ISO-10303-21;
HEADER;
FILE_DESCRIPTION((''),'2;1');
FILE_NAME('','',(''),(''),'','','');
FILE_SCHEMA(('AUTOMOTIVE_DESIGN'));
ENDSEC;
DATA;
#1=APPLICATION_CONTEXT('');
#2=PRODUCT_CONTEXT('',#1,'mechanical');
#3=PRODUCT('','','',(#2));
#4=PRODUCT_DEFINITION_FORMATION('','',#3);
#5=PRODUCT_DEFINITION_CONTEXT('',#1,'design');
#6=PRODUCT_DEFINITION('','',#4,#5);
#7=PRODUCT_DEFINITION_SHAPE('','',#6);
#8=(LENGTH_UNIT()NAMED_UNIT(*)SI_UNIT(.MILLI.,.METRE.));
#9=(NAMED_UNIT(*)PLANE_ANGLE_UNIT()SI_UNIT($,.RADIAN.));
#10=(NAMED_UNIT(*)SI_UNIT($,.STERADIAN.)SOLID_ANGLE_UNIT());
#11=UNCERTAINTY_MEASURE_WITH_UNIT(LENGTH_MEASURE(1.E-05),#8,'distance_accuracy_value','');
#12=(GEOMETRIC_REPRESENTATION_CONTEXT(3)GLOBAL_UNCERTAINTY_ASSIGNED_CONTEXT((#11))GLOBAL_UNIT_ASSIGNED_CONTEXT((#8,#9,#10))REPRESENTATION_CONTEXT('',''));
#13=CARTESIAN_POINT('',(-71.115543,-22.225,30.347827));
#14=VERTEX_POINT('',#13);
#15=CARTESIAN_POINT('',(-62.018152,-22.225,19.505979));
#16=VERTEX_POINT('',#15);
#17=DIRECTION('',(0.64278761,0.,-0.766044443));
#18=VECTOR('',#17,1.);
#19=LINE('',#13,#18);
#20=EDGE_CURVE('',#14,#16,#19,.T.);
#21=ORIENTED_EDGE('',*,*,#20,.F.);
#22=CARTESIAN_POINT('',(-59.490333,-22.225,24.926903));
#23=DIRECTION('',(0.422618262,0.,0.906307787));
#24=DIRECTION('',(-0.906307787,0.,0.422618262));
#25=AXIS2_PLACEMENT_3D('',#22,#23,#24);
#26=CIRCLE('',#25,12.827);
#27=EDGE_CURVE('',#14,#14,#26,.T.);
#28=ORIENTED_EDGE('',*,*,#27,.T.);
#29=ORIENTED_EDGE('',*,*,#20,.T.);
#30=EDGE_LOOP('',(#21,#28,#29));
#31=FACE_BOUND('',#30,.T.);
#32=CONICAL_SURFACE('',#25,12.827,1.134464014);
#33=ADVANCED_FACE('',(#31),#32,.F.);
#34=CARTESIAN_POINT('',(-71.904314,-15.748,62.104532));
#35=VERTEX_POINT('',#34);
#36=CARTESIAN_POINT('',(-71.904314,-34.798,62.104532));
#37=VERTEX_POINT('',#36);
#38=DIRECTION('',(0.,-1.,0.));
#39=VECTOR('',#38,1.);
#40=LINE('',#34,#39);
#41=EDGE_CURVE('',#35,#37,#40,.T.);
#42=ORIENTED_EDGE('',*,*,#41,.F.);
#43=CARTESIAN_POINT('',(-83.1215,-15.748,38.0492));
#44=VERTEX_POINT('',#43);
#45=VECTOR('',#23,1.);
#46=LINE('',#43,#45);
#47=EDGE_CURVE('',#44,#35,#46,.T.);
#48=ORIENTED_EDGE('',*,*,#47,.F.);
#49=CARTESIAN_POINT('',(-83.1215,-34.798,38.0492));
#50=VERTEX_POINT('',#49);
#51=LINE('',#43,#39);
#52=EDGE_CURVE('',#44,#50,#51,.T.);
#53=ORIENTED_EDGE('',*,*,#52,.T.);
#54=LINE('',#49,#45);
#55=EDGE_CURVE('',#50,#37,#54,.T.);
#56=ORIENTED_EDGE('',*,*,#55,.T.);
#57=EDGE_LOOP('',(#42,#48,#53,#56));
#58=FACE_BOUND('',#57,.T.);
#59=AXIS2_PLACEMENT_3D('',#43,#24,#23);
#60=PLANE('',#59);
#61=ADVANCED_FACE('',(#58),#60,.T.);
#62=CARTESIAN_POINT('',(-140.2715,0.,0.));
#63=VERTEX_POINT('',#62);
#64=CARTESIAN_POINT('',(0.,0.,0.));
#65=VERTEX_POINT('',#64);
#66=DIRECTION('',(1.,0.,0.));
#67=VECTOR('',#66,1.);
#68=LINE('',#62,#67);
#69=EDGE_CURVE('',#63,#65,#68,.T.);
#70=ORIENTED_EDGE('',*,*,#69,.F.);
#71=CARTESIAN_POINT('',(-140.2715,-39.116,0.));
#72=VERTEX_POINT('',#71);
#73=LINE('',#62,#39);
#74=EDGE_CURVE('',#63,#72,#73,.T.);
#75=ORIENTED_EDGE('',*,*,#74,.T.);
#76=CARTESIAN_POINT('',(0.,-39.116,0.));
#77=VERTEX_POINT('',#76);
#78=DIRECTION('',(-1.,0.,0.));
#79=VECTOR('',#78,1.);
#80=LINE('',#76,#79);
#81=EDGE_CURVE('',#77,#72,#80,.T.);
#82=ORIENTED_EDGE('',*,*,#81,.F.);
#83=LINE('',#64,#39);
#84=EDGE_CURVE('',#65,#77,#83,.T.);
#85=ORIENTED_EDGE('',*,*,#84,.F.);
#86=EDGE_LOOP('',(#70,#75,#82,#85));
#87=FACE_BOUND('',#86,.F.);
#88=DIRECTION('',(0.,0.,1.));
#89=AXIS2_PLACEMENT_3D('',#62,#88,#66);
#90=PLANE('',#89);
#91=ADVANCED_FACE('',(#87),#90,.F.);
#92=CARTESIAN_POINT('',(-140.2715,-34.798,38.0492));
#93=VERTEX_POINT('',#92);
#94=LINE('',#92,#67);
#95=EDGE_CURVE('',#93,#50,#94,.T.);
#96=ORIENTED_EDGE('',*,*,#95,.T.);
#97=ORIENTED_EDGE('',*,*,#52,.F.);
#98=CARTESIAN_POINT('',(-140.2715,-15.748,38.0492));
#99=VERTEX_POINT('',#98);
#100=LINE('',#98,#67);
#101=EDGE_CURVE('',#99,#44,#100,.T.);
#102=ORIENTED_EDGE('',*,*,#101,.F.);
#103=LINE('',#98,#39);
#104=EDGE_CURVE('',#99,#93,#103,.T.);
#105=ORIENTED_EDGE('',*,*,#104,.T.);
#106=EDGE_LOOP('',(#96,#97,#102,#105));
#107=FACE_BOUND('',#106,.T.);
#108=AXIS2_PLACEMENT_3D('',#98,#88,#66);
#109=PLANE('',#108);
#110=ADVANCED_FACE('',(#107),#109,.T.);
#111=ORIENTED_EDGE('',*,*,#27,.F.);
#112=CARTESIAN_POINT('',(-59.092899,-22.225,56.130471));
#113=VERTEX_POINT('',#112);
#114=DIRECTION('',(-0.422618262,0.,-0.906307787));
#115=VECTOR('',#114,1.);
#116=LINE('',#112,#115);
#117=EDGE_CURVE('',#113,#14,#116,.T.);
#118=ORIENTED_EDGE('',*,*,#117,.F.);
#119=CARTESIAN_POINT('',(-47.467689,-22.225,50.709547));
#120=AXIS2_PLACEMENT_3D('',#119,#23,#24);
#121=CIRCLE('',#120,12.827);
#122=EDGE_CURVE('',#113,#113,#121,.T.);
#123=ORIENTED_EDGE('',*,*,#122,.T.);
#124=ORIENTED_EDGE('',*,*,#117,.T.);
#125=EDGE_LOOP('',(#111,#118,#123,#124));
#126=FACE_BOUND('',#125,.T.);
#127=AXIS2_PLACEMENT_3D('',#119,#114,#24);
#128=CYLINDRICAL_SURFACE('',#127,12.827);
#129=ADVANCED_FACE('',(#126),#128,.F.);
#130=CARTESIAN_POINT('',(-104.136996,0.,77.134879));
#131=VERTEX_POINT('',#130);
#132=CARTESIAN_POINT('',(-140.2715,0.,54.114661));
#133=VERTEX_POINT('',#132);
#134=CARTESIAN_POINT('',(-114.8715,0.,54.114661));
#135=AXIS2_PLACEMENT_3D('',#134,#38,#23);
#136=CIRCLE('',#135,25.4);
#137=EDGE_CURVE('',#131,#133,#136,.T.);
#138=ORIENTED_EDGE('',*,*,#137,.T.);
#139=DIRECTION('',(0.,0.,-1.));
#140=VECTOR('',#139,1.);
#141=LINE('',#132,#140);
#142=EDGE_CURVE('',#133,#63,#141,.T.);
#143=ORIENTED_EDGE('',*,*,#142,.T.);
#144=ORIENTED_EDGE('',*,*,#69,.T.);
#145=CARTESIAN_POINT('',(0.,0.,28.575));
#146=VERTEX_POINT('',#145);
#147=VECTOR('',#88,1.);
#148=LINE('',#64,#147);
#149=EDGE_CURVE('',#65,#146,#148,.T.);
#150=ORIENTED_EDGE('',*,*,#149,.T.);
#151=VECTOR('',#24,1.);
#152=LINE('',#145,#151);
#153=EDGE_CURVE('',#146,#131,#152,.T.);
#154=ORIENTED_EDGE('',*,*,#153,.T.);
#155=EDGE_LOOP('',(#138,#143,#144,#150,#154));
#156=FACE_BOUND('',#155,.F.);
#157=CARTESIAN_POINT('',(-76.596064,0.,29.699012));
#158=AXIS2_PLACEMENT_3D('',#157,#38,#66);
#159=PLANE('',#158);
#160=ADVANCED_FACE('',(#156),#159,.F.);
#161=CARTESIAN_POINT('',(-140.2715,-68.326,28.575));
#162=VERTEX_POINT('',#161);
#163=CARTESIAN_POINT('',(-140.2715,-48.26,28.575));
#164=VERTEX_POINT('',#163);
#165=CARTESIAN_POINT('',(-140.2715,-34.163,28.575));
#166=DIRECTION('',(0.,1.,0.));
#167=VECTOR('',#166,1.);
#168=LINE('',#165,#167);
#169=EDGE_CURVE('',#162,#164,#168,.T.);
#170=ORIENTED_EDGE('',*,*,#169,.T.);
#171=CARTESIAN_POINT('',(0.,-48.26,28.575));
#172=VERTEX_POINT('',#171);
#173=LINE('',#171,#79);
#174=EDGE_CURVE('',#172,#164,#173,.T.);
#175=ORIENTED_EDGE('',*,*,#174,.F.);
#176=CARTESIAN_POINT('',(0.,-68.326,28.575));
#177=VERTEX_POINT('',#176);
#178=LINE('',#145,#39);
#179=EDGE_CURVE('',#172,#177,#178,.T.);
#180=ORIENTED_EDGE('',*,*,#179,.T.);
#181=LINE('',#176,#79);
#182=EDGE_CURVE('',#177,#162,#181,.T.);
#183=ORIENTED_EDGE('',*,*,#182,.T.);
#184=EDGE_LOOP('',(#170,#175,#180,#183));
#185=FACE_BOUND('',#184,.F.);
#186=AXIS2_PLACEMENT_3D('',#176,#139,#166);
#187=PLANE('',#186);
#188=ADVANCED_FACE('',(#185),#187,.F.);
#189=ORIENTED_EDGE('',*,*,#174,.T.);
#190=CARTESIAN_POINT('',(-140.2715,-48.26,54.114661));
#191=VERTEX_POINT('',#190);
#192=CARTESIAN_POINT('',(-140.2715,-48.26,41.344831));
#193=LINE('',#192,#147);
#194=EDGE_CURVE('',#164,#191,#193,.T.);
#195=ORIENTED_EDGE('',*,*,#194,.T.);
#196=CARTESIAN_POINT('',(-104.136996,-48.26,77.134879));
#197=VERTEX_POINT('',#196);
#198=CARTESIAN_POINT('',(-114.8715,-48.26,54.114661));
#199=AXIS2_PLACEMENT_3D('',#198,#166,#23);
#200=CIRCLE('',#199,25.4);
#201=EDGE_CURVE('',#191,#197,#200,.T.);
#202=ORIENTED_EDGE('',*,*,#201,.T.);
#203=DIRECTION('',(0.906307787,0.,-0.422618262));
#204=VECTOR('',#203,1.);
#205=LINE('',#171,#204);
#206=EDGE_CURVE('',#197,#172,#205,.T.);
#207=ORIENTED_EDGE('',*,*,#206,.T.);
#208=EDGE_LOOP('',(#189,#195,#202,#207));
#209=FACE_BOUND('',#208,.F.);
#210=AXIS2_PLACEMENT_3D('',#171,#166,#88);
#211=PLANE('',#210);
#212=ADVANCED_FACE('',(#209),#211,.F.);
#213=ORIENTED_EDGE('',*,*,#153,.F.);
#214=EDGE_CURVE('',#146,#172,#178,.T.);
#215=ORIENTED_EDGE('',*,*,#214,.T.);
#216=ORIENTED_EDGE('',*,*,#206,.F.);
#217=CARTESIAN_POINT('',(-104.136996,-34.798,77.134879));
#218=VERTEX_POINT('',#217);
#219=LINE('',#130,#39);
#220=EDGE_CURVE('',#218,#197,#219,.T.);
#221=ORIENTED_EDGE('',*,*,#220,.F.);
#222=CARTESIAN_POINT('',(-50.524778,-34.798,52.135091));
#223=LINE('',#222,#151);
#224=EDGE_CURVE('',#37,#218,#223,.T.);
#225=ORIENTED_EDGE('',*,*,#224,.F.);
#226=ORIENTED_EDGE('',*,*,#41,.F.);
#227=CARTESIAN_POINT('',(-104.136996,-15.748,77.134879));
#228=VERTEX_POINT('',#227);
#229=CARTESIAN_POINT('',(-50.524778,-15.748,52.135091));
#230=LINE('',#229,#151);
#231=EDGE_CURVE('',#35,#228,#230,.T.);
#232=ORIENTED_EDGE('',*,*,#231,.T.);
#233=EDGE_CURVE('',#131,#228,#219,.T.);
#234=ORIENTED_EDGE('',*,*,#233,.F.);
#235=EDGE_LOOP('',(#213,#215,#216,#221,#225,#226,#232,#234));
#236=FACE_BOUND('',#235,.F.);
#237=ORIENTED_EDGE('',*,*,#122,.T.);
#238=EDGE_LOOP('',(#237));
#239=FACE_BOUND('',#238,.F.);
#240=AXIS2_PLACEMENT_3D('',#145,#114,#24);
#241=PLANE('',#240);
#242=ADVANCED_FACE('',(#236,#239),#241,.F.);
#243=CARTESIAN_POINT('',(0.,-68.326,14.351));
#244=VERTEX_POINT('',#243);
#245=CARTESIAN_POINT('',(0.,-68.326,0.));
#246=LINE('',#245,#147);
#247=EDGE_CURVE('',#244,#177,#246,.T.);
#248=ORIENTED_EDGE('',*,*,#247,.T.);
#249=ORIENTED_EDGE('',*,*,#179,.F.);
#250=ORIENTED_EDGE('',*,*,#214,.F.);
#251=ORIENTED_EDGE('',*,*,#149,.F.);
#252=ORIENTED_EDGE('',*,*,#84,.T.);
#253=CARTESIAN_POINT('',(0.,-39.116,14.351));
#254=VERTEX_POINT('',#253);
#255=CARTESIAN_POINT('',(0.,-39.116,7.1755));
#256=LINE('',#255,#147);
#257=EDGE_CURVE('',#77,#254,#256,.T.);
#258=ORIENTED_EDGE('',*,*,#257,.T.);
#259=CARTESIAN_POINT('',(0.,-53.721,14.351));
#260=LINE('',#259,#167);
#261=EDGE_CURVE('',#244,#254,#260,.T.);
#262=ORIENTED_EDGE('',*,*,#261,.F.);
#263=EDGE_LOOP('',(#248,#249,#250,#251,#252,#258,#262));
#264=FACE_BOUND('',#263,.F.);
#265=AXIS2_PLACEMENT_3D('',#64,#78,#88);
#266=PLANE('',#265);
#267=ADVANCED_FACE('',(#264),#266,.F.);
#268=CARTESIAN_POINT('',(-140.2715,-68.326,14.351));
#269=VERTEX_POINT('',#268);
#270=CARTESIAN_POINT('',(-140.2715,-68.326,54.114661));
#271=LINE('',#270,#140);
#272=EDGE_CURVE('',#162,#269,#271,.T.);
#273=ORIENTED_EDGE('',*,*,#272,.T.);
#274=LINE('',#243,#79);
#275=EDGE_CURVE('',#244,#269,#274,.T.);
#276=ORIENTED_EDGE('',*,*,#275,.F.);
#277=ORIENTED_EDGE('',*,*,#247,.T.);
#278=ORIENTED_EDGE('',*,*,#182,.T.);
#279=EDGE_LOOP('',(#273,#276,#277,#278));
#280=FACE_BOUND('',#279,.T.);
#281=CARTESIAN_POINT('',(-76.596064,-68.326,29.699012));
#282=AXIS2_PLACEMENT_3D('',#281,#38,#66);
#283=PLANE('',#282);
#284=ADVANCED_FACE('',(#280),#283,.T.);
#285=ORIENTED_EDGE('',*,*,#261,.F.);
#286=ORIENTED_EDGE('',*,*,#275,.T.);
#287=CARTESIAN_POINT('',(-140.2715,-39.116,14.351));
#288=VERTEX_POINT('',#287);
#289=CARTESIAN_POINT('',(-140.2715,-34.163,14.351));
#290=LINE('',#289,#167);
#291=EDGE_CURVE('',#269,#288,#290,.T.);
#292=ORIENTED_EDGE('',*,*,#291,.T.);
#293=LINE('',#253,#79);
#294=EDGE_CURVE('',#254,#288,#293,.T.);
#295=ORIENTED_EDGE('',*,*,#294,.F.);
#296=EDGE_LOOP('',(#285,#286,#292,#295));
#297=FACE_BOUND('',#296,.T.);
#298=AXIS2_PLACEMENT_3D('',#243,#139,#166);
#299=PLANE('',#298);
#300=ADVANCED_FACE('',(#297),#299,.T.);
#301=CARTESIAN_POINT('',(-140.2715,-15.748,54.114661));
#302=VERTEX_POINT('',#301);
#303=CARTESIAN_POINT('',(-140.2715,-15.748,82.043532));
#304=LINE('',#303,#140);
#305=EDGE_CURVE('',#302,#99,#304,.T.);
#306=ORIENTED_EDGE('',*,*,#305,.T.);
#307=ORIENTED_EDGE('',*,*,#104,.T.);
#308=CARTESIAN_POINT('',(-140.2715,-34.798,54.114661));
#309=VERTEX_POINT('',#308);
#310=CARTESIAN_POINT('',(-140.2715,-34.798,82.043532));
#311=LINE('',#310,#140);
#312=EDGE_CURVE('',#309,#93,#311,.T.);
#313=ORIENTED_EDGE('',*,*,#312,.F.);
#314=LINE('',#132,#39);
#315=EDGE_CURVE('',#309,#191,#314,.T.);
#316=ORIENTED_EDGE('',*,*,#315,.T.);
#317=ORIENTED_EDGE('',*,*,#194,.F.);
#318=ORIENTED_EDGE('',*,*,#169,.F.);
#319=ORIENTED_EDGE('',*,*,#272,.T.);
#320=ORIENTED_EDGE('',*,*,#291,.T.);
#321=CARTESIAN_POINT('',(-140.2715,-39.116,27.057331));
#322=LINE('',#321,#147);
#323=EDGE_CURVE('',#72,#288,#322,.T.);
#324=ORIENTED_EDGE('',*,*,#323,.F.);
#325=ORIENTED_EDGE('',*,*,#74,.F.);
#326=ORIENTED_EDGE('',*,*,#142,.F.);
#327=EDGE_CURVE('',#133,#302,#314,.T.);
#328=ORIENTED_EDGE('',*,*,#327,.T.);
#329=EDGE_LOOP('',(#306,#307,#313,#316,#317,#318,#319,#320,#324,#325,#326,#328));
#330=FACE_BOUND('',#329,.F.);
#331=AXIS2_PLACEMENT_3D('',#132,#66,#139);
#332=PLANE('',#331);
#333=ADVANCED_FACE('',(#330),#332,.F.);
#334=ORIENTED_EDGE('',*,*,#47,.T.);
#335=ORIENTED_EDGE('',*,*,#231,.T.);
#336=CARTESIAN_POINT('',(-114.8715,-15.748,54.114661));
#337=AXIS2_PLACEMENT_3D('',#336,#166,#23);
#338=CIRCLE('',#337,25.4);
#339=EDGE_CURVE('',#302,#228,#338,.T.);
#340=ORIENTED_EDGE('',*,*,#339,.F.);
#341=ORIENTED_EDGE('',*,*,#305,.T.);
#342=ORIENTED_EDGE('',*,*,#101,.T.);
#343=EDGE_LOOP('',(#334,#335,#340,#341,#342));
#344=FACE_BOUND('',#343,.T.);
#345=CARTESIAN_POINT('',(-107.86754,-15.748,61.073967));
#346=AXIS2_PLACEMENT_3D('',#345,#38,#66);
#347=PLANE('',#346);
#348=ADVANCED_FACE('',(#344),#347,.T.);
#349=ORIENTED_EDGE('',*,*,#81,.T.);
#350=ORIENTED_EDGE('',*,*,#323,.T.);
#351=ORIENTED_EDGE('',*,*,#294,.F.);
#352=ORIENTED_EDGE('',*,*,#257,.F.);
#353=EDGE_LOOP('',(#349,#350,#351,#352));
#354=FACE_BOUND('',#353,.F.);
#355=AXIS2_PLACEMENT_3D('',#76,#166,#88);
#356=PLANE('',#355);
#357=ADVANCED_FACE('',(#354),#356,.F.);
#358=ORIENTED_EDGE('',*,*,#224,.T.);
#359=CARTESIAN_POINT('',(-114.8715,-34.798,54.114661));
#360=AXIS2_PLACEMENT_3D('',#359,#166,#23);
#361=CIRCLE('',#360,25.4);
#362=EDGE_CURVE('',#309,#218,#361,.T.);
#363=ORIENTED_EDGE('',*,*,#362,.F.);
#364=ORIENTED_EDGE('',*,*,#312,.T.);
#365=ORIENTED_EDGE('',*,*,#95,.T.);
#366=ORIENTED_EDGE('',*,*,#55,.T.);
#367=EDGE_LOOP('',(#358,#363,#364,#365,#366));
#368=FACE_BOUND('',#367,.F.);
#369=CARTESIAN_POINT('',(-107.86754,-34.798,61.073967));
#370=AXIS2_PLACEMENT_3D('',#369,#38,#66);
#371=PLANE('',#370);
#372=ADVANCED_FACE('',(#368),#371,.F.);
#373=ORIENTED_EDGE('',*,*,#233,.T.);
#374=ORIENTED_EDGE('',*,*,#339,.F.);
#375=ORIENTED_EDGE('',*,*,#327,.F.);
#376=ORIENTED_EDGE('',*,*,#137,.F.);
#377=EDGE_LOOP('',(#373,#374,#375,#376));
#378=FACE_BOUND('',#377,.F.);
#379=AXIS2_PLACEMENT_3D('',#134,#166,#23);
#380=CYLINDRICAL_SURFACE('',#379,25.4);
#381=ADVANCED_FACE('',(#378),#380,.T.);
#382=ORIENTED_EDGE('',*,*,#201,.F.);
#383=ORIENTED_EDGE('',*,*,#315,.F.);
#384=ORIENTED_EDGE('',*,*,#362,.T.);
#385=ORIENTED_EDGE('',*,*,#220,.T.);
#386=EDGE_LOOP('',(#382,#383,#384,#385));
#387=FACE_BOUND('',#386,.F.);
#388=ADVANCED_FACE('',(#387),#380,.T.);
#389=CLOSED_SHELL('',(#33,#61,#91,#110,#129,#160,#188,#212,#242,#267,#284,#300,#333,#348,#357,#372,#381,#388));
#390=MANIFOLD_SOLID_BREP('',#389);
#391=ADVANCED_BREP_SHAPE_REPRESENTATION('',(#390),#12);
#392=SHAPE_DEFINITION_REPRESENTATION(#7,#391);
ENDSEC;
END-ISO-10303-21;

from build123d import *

# Parameters (mm, degrees)
F1_DEPTH = 68.326
F2_W     = 29.21
F2_H     = 14.351
F2_W_2   = 20.066
F2_H_2   = 51.054
F3_DEPTH = 140.2725
F9_DEPTH = 19.05


with BuildPart() as f1:
    # F0 (on Front) → F1 (new body)
    with BuildSketch(Plane.XZ):
        with BuildLine():
            Line((-140.2715, 0), (0, 0))
            Line((0, 0), (0, 28.575))
            Line((0, 28.575), (-104.1369961518, 77.1348788028))
            ThreePointArc((-104.1369961518, 77.1348788028), (-128.518910052, 75.5368037358), (-140.2715, 54.1146610121))
            Line((-140.2715, 54.1146610121), (-140.2715, 0))
        make_face()
    extrude(amount=F1_DEPTH)

    # F2 (on face) → F3 (cut, through all)
    with BuildSketch(Plane.YZ):
        with Locations((-53.721, 7.1755)):
            Rectangle(F2_W, F2_H)
        with Locations((-58.293, 54.102)):
            Rectangle(F2_W_2, F2_H_2)
    extrude(amount=-F3_DEPTH, mode=Mode.SUBTRACT)

    # F5 (on offset) → F6 (revolve, cut)
    with BuildSketch(Plane.XZ.offset(22.225)):
        Polygon((-71.1155433788, 30.3478274527), (-62.0181519767, 19.5059785661), (-47.4676890845, 50.709546935), (-59.0928990688, 56.1304713784), align=None)
    revolve(axis=Axis((-54.7429205306, -22.225, 35.1077627505), (0.4226182617, 0, 0.906307787)), mode=Mode.SUBTRACT)

    # F8 (on offset) → F9 (cut)
    with BuildSketch(Plane.XZ.offset(15.748)):
        Polygon((-140.2715, 82.0435324035), (-140.2715, 38.0492), (-83.1215, 38.0492), (-71.9043142808, 62.1045324035), (-71.9043142808, 82.0435324035), align=None)
    extrude(amount=F9_DEPTH, mode=Mode.SUBTRACT)


solid = f1.part
